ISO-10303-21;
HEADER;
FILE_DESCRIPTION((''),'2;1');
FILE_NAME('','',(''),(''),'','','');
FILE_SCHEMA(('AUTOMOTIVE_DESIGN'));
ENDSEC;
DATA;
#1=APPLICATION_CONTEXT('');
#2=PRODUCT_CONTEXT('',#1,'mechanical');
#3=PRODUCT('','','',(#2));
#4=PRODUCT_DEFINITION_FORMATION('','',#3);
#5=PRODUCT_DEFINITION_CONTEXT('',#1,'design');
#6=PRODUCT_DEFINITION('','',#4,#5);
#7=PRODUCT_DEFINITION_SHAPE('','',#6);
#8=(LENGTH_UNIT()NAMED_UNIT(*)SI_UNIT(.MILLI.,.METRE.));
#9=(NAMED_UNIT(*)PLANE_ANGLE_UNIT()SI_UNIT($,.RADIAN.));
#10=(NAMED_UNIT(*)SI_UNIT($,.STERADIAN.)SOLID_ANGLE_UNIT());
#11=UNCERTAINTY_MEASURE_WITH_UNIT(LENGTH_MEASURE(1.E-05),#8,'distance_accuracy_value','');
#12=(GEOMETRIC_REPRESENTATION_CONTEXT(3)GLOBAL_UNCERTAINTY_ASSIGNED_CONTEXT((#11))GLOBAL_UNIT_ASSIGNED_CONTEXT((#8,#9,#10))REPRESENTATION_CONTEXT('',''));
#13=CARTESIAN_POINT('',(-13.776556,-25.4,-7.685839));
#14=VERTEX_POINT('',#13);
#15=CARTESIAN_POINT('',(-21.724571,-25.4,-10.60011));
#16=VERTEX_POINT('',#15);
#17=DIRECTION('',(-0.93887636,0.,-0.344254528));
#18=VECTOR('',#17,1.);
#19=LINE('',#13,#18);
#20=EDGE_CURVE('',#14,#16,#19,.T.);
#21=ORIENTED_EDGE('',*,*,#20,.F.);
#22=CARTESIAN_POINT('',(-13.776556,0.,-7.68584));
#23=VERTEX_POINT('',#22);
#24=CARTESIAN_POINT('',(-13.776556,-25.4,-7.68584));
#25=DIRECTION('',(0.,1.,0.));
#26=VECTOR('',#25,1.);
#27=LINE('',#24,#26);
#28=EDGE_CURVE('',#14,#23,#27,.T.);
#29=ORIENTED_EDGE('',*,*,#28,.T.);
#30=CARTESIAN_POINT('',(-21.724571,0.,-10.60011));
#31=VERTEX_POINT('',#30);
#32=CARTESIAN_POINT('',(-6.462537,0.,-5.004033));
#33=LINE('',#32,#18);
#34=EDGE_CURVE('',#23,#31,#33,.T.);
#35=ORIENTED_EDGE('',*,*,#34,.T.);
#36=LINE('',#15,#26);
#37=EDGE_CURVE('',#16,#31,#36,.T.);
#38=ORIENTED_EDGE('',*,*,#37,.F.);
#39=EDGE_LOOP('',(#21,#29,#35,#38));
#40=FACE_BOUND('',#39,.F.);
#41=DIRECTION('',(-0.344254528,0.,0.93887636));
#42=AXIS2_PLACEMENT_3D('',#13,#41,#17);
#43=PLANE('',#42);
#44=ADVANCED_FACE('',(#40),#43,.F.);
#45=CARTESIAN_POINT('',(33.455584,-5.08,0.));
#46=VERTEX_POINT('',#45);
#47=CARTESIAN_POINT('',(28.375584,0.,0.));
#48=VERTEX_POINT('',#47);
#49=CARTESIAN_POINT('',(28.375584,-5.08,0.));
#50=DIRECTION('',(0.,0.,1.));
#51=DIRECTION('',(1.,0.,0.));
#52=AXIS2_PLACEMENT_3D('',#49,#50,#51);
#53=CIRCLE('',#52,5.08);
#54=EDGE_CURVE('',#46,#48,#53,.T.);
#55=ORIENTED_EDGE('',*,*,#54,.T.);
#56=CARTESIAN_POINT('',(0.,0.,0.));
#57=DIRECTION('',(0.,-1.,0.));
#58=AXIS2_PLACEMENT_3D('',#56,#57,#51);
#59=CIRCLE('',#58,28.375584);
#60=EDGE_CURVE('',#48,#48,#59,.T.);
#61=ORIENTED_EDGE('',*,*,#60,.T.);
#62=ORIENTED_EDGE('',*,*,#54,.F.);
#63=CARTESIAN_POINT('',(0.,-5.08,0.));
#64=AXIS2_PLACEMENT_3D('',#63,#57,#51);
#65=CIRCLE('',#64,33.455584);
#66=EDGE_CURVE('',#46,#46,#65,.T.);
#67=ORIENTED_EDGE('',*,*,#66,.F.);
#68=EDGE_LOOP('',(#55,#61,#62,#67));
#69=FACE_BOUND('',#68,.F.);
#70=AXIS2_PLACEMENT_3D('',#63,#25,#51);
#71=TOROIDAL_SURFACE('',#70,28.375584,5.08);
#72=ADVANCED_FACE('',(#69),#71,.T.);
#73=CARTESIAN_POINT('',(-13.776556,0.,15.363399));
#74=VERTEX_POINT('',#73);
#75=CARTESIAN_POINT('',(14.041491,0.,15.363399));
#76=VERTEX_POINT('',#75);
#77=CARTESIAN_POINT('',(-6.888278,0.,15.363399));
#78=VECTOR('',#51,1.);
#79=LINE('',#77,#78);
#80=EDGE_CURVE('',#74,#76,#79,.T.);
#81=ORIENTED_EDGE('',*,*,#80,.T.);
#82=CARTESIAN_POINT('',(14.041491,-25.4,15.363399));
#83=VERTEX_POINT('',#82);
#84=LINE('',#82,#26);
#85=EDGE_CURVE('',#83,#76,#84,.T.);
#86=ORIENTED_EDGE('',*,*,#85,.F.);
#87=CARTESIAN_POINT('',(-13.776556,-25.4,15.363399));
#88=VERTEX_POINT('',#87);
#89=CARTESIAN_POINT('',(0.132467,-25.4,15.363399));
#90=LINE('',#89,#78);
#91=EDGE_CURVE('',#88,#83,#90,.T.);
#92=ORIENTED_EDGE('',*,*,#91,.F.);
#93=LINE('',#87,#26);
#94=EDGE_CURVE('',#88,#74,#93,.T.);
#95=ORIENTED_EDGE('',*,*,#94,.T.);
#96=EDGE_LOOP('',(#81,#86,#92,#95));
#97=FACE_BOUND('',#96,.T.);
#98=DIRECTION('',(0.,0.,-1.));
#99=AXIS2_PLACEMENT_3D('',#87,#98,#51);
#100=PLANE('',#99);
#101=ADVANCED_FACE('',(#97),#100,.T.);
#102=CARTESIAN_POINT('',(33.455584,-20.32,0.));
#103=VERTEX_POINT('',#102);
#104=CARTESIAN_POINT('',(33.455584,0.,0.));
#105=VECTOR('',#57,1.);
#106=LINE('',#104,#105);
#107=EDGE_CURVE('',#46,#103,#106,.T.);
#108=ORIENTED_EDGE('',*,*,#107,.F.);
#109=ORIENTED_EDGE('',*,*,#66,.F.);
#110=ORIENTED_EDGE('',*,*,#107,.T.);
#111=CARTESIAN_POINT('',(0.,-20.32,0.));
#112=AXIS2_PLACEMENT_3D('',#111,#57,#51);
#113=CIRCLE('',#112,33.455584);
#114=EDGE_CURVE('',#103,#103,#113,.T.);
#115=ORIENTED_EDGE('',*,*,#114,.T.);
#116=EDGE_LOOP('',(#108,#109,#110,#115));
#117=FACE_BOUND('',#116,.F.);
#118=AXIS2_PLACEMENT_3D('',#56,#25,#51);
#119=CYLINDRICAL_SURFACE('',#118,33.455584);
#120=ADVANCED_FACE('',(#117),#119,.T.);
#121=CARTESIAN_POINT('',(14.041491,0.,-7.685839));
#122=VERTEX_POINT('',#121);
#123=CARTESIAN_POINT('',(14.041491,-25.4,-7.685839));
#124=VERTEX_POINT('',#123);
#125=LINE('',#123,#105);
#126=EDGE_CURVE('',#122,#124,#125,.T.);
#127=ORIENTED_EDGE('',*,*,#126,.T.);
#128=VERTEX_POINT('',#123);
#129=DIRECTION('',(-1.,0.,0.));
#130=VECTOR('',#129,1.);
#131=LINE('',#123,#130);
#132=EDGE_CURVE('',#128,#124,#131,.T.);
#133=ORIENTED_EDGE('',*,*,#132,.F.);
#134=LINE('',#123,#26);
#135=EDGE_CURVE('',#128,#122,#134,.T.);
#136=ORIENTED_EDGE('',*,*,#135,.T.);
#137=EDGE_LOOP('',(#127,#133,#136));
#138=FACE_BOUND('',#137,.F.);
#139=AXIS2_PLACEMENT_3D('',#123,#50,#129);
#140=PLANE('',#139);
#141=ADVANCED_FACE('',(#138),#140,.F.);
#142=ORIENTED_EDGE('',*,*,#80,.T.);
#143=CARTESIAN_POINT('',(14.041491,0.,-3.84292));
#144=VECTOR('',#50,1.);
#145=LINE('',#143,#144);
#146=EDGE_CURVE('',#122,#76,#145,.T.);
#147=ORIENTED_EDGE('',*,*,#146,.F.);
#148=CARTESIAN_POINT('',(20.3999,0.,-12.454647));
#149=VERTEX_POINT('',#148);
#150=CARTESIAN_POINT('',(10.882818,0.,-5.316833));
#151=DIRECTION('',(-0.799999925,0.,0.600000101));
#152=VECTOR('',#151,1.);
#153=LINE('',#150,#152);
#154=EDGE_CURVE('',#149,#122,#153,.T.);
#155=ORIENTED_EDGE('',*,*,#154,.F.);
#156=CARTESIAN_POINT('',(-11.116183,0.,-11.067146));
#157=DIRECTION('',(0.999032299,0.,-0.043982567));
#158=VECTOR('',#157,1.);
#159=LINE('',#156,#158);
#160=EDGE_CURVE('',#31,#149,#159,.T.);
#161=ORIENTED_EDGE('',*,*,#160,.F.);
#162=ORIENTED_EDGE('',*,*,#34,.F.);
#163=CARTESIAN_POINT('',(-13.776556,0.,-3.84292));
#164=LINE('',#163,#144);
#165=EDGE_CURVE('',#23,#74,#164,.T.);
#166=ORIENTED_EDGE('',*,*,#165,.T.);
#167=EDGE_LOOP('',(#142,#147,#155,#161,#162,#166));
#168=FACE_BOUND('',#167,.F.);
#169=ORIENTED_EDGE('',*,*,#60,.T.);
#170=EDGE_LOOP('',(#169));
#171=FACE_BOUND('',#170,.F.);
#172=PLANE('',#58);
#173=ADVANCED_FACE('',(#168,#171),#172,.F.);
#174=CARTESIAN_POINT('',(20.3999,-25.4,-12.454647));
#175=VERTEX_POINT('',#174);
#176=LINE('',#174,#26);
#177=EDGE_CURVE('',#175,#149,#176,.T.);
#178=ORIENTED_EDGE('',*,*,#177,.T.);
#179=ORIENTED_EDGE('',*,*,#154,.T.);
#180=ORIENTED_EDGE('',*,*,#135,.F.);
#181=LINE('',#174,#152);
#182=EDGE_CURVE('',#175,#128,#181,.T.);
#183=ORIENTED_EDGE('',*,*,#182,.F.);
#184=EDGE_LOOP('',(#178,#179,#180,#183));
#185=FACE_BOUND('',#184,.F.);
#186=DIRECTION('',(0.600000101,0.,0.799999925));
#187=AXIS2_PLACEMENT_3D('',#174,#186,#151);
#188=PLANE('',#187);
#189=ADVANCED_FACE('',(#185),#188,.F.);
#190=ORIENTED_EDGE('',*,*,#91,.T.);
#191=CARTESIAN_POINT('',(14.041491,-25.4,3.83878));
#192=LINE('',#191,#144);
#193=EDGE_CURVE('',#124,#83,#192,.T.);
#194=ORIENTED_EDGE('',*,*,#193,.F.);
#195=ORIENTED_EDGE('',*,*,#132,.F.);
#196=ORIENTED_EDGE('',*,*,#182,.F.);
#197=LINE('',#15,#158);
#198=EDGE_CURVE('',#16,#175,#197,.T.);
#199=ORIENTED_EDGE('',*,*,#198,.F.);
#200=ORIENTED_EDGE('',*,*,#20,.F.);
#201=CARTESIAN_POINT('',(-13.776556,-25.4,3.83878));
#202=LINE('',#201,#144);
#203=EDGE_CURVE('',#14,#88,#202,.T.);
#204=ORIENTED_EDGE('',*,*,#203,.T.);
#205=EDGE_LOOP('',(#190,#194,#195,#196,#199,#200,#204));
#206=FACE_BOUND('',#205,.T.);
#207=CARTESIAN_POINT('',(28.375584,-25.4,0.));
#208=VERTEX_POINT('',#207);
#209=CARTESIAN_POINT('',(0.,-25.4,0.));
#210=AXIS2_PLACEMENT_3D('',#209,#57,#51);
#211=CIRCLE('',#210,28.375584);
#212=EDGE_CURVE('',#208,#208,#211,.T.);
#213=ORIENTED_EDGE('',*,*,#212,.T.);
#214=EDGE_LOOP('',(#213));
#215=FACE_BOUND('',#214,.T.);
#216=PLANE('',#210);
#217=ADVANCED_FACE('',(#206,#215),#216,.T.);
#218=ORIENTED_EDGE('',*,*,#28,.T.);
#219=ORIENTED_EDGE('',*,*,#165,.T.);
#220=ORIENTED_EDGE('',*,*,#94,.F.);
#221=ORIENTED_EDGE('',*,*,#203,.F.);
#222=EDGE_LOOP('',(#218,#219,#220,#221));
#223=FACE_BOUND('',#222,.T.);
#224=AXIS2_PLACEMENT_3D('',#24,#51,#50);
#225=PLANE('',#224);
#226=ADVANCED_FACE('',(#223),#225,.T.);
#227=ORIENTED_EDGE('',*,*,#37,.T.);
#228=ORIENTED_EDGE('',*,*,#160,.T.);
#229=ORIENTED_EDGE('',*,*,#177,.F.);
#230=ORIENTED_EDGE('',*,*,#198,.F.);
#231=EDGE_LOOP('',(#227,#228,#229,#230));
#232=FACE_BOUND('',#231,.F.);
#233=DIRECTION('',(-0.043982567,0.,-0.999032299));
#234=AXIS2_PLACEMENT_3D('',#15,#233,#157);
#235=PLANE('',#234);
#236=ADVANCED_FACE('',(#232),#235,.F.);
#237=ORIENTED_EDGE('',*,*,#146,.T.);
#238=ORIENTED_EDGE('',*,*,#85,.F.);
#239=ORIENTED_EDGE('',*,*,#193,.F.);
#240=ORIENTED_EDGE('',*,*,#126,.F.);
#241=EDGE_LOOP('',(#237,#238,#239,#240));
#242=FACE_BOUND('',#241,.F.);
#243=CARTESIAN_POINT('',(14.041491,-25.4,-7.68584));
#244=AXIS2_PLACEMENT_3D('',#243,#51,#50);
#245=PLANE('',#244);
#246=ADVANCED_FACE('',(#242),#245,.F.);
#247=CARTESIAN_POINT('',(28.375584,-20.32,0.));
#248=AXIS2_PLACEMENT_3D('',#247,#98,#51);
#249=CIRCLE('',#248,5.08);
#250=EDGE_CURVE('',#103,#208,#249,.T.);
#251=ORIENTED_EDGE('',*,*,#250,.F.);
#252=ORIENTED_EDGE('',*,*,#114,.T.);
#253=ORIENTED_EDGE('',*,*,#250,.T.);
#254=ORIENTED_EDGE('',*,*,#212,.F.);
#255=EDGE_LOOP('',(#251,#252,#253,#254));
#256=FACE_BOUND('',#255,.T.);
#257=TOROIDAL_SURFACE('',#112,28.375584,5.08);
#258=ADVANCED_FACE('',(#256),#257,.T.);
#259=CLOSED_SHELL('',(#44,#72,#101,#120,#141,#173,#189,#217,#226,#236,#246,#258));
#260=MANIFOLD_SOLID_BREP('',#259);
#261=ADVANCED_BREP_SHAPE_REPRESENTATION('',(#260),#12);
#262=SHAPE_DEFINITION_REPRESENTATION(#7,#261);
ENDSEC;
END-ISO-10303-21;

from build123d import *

# Parameters (mm, degrees)
F0_R     = 33.455584
F1_DEPTH = 25.4
F2_R     = 5.08
F3_R     = 5.08
F4_W     = 27.818047
F4_H     = 23.049239
F5_DEPTH = 25.401
F7_DEPTH = 25.401


with BuildPart() as f1:
    # F0 (on Front) → F1 (new body)
    with BuildSketch(Plane.XZ):
        Circle(F0_R)
    extrude(amount=F1_DEPTH)

    # F2
    f2_edges = [f1.edges().sort_by_distance(p)[0] for p in [
        (-33.455584, -25.4, 0),
    ]]
    fillet(f2_edges, radius=F2_R)

    # F3
    f3_edges = [f1.edges().sort_by_distance(p)[0] for p in [
        (-33.455584, 0, 0),
    ]]
    fillet(f3_edges, radius=F3_R)

    # F4 (on face) → F5 (cut, through all)
    with BuildSketch(Plane.XZ.offset(25.4)):
        with Locations((0.132467, 3.83878)):
            Rectangle(F4_W, F4_H)
    extrude(amount=-F5_DEPTH, mode=Mode.SUBTRACT)

    # F6 (on face) → F7 (cut, through all)
    with BuildSketch(Plane.XZ.offset(25.4)):
        Polygon((-13.776556, -7.685839), (-21.724571, -10.60011), (20.3999, -12.454647), (14.041491, -7.685839), align=None)
    extrude(amount=-F7_DEPTH, mode=Mode.SUBTRACT)


solid = f1.part
